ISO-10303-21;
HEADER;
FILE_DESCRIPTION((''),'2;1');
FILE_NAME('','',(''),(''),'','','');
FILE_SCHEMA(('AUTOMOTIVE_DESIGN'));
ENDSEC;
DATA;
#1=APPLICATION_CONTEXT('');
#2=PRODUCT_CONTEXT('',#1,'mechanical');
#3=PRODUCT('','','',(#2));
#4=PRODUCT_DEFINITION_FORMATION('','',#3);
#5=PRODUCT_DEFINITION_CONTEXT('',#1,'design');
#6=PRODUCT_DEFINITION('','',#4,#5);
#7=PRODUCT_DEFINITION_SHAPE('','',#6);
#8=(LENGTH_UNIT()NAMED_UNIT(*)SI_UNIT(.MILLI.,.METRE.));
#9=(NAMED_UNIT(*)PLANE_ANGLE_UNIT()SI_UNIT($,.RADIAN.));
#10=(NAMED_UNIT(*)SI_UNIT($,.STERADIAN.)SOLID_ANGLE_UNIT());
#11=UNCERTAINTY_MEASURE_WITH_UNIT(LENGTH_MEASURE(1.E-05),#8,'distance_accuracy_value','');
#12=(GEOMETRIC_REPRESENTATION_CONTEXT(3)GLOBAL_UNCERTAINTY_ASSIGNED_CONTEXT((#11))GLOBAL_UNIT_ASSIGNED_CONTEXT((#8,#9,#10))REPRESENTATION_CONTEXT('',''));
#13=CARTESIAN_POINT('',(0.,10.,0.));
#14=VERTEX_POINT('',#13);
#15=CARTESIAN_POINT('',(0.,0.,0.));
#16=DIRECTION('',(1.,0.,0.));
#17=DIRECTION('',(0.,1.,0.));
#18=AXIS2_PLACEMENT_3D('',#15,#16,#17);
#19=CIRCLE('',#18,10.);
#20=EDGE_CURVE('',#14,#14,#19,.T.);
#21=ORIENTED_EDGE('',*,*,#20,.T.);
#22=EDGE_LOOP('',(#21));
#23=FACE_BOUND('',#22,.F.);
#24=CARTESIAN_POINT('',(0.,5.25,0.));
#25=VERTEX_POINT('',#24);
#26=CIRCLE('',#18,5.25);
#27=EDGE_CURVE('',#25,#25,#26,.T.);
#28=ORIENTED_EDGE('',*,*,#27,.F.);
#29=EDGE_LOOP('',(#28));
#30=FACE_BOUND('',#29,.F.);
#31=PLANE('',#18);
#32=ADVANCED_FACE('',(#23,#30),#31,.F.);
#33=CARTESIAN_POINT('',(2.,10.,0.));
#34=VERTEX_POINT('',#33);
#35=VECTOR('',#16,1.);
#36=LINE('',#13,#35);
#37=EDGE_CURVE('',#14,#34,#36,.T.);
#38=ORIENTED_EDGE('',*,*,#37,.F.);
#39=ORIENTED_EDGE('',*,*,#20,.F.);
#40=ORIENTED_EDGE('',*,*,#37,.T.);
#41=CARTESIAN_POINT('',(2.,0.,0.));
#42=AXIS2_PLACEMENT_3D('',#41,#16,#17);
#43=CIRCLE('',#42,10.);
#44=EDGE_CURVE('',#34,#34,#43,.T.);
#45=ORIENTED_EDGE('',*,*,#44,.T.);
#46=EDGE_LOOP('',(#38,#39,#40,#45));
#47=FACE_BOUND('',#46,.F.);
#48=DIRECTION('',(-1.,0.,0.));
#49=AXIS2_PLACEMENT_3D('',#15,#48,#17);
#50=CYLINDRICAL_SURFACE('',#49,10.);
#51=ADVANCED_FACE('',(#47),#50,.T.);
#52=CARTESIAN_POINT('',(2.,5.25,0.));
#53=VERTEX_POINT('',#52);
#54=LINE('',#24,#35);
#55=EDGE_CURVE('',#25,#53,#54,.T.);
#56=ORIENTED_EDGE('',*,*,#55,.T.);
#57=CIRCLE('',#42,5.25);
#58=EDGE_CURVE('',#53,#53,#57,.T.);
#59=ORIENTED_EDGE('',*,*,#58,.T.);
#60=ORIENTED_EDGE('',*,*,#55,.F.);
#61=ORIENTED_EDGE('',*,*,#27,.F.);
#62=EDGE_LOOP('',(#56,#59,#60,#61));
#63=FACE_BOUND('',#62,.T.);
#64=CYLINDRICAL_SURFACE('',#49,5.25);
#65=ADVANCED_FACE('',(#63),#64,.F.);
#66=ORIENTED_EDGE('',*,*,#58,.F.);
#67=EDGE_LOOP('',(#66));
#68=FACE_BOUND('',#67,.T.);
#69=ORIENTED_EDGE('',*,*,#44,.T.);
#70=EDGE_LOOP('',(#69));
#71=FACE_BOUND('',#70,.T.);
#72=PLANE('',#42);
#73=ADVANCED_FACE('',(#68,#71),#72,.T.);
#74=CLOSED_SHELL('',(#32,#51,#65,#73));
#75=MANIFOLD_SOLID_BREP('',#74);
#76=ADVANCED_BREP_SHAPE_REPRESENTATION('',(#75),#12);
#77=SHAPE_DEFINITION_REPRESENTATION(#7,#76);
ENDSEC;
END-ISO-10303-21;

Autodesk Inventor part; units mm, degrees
ref_plane "YZ Plane" through (0, 0, 0) normal (1, 0, 0) x (0, 1, 0)
ref_plane "XZ Plane" through (0, 0, 0) normal (0, 1, 0) x (-1, 0, 0)
sketch "Náčrt" plane through (0, 0, 0) normal (1, 0, 0) x (0, 1, 0)
  circle A0 centre (0, 0) radius 10
  circle A1 centre (0, 0) radius 5.25
  dimension "d0" = 10.5
  dimension "d1" = 20
extrude "Těleso" add sketch "Náčrt" along normal blind 2
ref_plane "Work Plane1" through (0, 0, 0) normal (0, 0, 1) x (1, 0, 0)
equation "\"d0\" = SD1"
equation "\"d1\" = SD2"
equation "\"d2\" = SD"
equation "\"SD1\" = 10.5"
equation "\"SD2\" = 20"
equation "\"SD\" = 2"
properties part number "ISO 7089 - 10 - 140 HV" material "Nerezová ocel"
